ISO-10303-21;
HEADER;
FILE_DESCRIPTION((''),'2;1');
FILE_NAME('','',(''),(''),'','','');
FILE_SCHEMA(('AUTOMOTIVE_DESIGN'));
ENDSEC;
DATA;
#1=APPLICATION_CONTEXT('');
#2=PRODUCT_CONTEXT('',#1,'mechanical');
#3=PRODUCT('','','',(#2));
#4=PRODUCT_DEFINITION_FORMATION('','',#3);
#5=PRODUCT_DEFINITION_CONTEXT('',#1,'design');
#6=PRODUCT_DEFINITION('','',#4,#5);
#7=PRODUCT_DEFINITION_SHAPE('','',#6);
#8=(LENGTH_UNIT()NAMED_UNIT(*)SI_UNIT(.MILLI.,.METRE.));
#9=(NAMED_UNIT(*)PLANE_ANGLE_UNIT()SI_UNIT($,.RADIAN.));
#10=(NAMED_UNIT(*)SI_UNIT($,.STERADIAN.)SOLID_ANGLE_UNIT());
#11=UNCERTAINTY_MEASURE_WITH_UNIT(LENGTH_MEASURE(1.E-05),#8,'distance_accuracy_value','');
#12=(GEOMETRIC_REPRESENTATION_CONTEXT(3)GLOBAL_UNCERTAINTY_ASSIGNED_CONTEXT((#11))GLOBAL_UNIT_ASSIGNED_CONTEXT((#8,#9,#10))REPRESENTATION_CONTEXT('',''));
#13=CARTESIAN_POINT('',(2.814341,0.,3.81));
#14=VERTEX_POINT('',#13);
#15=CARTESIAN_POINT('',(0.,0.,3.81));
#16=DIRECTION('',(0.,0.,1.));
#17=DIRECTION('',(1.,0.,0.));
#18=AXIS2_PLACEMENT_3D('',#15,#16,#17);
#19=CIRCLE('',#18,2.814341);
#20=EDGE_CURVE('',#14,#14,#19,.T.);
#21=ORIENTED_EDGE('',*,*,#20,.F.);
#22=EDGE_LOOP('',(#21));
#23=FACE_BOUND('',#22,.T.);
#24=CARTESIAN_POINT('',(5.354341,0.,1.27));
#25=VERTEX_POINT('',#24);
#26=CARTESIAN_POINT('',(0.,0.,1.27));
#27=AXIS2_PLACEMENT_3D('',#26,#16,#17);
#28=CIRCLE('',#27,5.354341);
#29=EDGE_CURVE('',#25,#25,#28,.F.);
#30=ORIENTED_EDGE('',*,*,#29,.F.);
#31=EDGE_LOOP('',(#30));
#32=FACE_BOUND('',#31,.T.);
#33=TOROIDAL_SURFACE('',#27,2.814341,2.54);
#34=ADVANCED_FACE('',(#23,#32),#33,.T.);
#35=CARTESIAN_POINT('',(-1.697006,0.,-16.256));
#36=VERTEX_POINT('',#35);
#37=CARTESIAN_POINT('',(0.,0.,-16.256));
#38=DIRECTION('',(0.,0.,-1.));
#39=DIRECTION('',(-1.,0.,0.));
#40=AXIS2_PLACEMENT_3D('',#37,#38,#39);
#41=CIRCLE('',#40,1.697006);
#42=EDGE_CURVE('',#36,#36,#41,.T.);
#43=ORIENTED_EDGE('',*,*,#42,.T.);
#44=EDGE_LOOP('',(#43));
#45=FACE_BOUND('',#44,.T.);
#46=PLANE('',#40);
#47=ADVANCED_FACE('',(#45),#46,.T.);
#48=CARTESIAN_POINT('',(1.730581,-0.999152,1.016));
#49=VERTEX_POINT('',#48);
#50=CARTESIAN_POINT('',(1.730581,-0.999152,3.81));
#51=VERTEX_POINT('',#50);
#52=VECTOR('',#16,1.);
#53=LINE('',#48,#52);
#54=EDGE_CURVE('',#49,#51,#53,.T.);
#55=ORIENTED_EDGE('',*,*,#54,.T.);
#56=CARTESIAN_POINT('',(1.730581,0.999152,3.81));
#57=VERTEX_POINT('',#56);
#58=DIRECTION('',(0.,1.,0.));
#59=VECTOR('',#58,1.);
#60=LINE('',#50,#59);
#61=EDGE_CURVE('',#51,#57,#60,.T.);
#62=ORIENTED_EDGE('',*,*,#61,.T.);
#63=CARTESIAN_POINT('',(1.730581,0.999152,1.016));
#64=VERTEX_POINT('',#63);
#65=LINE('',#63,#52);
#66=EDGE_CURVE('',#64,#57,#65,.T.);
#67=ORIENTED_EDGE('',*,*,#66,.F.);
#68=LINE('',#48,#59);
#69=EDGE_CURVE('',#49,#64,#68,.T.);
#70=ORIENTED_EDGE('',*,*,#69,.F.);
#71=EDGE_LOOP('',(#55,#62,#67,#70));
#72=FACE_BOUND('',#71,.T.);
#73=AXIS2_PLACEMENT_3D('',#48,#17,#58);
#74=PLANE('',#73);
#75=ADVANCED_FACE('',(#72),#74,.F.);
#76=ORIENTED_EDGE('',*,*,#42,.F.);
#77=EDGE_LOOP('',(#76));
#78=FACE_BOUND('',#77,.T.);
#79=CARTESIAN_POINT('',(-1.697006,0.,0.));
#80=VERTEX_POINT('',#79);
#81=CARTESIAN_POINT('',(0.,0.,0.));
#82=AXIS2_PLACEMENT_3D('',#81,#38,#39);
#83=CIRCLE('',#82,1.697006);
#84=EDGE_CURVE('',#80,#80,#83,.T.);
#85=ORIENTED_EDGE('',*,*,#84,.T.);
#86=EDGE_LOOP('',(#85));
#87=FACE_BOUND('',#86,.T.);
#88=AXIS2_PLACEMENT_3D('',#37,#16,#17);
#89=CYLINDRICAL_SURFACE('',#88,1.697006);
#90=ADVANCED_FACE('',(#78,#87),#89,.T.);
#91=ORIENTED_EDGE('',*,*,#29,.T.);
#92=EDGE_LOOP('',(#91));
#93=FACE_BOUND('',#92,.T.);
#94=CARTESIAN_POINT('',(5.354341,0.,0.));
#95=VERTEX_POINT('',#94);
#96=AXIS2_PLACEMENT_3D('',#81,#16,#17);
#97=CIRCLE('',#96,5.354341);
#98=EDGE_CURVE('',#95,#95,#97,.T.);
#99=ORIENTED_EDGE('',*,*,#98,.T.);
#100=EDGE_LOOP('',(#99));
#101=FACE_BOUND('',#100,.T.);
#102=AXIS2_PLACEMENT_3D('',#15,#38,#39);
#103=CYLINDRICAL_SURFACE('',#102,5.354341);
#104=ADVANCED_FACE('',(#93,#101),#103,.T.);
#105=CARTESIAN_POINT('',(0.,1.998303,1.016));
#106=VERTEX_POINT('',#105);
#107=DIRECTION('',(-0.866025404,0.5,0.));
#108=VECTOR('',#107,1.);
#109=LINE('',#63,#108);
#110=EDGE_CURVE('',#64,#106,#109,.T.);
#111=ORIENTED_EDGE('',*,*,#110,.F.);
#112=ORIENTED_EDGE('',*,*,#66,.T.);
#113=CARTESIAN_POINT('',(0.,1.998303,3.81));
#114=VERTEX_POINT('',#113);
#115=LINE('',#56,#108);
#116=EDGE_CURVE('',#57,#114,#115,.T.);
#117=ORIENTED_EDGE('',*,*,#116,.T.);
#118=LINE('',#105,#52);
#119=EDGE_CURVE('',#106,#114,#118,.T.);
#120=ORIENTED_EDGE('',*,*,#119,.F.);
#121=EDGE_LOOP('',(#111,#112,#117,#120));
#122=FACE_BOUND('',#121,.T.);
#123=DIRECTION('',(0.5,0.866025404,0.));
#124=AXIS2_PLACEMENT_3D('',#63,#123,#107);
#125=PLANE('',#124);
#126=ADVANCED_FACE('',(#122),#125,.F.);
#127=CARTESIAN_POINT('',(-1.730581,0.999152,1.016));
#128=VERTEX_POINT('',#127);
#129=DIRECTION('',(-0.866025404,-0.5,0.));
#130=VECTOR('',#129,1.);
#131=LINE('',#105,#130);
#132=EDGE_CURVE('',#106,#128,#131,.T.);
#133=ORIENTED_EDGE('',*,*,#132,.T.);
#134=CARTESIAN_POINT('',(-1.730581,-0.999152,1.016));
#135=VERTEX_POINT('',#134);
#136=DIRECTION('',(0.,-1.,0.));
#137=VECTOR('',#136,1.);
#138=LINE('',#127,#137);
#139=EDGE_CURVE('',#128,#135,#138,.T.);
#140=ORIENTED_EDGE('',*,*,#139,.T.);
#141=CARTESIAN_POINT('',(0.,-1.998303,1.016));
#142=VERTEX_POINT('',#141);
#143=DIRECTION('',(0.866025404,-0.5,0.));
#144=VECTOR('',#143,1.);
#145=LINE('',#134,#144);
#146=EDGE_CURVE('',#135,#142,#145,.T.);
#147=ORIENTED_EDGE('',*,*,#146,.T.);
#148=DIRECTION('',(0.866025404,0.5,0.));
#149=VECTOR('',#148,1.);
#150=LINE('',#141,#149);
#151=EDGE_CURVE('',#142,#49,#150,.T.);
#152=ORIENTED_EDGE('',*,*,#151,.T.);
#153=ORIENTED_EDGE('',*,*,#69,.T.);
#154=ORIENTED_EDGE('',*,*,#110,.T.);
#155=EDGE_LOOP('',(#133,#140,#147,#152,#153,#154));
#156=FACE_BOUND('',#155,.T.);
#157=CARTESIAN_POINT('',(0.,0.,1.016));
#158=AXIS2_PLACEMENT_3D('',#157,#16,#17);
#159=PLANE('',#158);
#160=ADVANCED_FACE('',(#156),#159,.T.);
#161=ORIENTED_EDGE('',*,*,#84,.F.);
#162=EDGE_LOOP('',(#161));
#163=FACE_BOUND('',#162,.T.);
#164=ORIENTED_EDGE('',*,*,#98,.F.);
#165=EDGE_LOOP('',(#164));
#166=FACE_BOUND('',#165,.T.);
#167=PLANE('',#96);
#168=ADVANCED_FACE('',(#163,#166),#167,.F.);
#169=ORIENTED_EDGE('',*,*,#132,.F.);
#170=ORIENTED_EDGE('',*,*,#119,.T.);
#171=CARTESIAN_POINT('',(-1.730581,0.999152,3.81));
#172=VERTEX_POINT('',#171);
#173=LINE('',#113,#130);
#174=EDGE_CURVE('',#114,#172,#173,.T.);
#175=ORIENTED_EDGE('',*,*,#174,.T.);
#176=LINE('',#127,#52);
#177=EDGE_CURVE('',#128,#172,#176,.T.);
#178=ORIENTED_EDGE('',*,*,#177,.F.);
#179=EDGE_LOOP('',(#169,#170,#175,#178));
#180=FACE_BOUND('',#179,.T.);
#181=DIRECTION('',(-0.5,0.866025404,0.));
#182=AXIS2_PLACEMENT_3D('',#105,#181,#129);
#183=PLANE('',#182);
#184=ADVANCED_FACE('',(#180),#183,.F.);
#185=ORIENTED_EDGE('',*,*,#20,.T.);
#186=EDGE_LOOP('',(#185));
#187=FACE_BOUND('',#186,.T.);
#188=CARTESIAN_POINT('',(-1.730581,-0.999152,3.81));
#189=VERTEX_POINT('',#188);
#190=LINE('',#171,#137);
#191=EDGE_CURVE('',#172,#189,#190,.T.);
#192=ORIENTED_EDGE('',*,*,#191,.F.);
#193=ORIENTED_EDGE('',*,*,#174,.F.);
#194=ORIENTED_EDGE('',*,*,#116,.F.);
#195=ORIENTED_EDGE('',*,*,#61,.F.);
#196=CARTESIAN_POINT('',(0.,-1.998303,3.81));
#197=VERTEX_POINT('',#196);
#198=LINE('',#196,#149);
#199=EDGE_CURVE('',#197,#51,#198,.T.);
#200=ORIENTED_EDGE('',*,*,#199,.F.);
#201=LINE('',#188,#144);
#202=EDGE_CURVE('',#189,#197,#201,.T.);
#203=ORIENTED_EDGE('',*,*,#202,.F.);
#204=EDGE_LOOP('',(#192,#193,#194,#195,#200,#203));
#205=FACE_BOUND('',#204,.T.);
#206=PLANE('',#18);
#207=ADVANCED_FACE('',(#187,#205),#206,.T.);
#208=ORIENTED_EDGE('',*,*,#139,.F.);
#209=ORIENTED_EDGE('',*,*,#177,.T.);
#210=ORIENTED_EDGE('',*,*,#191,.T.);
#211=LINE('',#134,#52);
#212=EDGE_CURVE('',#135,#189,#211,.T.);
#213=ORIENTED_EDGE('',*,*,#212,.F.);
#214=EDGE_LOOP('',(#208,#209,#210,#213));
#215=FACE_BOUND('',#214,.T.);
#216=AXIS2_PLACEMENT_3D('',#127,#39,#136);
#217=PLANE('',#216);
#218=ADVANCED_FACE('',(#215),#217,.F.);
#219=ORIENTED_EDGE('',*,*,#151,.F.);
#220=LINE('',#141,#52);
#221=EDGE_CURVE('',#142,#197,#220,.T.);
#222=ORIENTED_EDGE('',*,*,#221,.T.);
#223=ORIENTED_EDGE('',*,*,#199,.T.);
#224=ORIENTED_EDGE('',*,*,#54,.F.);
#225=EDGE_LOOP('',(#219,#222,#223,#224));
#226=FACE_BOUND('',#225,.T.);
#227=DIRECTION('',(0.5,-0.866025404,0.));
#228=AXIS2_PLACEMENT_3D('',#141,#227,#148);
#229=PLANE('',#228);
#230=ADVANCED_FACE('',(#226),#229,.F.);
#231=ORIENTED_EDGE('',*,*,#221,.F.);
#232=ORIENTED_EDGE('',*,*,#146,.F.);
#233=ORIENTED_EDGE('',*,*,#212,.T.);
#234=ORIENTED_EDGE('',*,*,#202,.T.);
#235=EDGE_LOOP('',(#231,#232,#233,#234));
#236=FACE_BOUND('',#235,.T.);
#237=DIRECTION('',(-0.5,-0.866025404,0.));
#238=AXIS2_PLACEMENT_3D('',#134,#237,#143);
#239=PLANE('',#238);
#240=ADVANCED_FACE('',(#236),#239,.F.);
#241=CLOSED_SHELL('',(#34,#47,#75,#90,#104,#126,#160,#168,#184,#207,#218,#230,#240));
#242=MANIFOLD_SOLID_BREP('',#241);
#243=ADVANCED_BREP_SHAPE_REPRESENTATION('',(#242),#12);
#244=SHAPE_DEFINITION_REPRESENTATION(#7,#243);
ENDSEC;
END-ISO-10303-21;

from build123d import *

# Parameters (mm, degrees)
SKETCH1_R           = 5.354341082
BOSS_EXTRUDE1_DEPTH = 3.81
FILLET1_R           = 2.54
CUT_EXTRUDE1_DEPTH  = 2.794
SKETCH3_R           = 1.69700591
BOSS_EXTRUDE2_DEPTH = 16.256


with BuildPart() as part:
    # Sketch1 → Boss-Extrude1 (new body)
    with BuildSketch(Plane.XY):
        Circle(SKETCH1_R)
    extrude(amount=BOSS_EXTRUDE1_DEPTH)

    # Fillet1
    fillet1_edges = [part.edges().sort_by_distance(p)[0] for p in [
        (-5.354341082, 0, 3.81),
    ]]
    fillet(fillet1_edges, radius=FILLET1_R)

    # Sketch2 → Cut-Extrude1 (cut)
    with BuildSketch(Plane.XY.offset(3.81)):
        Polygon((0, 1.998303372), (-1.730581485, 0.999151686), (-1.730581485, -0.999151686), (0, -1.998303372), (1.730581485, -0.999151686), (1.730581485, 0.999151686), align=None)
    extrude(amount=-CUT_EXTRUDE1_DEPTH, mode=Mode.SUBTRACT)

    # Sketch3 → Boss-Extrude2 (add)
    with BuildSketch(Plane(origin=(0, 0, 0), x_dir=(-1, 0, 0), z_dir=(0, 0, -1))):
        Circle(SKETCH3_R)
    extrude(amount=BOSS_EXTRUDE2_DEPTH)


solid = part.part
